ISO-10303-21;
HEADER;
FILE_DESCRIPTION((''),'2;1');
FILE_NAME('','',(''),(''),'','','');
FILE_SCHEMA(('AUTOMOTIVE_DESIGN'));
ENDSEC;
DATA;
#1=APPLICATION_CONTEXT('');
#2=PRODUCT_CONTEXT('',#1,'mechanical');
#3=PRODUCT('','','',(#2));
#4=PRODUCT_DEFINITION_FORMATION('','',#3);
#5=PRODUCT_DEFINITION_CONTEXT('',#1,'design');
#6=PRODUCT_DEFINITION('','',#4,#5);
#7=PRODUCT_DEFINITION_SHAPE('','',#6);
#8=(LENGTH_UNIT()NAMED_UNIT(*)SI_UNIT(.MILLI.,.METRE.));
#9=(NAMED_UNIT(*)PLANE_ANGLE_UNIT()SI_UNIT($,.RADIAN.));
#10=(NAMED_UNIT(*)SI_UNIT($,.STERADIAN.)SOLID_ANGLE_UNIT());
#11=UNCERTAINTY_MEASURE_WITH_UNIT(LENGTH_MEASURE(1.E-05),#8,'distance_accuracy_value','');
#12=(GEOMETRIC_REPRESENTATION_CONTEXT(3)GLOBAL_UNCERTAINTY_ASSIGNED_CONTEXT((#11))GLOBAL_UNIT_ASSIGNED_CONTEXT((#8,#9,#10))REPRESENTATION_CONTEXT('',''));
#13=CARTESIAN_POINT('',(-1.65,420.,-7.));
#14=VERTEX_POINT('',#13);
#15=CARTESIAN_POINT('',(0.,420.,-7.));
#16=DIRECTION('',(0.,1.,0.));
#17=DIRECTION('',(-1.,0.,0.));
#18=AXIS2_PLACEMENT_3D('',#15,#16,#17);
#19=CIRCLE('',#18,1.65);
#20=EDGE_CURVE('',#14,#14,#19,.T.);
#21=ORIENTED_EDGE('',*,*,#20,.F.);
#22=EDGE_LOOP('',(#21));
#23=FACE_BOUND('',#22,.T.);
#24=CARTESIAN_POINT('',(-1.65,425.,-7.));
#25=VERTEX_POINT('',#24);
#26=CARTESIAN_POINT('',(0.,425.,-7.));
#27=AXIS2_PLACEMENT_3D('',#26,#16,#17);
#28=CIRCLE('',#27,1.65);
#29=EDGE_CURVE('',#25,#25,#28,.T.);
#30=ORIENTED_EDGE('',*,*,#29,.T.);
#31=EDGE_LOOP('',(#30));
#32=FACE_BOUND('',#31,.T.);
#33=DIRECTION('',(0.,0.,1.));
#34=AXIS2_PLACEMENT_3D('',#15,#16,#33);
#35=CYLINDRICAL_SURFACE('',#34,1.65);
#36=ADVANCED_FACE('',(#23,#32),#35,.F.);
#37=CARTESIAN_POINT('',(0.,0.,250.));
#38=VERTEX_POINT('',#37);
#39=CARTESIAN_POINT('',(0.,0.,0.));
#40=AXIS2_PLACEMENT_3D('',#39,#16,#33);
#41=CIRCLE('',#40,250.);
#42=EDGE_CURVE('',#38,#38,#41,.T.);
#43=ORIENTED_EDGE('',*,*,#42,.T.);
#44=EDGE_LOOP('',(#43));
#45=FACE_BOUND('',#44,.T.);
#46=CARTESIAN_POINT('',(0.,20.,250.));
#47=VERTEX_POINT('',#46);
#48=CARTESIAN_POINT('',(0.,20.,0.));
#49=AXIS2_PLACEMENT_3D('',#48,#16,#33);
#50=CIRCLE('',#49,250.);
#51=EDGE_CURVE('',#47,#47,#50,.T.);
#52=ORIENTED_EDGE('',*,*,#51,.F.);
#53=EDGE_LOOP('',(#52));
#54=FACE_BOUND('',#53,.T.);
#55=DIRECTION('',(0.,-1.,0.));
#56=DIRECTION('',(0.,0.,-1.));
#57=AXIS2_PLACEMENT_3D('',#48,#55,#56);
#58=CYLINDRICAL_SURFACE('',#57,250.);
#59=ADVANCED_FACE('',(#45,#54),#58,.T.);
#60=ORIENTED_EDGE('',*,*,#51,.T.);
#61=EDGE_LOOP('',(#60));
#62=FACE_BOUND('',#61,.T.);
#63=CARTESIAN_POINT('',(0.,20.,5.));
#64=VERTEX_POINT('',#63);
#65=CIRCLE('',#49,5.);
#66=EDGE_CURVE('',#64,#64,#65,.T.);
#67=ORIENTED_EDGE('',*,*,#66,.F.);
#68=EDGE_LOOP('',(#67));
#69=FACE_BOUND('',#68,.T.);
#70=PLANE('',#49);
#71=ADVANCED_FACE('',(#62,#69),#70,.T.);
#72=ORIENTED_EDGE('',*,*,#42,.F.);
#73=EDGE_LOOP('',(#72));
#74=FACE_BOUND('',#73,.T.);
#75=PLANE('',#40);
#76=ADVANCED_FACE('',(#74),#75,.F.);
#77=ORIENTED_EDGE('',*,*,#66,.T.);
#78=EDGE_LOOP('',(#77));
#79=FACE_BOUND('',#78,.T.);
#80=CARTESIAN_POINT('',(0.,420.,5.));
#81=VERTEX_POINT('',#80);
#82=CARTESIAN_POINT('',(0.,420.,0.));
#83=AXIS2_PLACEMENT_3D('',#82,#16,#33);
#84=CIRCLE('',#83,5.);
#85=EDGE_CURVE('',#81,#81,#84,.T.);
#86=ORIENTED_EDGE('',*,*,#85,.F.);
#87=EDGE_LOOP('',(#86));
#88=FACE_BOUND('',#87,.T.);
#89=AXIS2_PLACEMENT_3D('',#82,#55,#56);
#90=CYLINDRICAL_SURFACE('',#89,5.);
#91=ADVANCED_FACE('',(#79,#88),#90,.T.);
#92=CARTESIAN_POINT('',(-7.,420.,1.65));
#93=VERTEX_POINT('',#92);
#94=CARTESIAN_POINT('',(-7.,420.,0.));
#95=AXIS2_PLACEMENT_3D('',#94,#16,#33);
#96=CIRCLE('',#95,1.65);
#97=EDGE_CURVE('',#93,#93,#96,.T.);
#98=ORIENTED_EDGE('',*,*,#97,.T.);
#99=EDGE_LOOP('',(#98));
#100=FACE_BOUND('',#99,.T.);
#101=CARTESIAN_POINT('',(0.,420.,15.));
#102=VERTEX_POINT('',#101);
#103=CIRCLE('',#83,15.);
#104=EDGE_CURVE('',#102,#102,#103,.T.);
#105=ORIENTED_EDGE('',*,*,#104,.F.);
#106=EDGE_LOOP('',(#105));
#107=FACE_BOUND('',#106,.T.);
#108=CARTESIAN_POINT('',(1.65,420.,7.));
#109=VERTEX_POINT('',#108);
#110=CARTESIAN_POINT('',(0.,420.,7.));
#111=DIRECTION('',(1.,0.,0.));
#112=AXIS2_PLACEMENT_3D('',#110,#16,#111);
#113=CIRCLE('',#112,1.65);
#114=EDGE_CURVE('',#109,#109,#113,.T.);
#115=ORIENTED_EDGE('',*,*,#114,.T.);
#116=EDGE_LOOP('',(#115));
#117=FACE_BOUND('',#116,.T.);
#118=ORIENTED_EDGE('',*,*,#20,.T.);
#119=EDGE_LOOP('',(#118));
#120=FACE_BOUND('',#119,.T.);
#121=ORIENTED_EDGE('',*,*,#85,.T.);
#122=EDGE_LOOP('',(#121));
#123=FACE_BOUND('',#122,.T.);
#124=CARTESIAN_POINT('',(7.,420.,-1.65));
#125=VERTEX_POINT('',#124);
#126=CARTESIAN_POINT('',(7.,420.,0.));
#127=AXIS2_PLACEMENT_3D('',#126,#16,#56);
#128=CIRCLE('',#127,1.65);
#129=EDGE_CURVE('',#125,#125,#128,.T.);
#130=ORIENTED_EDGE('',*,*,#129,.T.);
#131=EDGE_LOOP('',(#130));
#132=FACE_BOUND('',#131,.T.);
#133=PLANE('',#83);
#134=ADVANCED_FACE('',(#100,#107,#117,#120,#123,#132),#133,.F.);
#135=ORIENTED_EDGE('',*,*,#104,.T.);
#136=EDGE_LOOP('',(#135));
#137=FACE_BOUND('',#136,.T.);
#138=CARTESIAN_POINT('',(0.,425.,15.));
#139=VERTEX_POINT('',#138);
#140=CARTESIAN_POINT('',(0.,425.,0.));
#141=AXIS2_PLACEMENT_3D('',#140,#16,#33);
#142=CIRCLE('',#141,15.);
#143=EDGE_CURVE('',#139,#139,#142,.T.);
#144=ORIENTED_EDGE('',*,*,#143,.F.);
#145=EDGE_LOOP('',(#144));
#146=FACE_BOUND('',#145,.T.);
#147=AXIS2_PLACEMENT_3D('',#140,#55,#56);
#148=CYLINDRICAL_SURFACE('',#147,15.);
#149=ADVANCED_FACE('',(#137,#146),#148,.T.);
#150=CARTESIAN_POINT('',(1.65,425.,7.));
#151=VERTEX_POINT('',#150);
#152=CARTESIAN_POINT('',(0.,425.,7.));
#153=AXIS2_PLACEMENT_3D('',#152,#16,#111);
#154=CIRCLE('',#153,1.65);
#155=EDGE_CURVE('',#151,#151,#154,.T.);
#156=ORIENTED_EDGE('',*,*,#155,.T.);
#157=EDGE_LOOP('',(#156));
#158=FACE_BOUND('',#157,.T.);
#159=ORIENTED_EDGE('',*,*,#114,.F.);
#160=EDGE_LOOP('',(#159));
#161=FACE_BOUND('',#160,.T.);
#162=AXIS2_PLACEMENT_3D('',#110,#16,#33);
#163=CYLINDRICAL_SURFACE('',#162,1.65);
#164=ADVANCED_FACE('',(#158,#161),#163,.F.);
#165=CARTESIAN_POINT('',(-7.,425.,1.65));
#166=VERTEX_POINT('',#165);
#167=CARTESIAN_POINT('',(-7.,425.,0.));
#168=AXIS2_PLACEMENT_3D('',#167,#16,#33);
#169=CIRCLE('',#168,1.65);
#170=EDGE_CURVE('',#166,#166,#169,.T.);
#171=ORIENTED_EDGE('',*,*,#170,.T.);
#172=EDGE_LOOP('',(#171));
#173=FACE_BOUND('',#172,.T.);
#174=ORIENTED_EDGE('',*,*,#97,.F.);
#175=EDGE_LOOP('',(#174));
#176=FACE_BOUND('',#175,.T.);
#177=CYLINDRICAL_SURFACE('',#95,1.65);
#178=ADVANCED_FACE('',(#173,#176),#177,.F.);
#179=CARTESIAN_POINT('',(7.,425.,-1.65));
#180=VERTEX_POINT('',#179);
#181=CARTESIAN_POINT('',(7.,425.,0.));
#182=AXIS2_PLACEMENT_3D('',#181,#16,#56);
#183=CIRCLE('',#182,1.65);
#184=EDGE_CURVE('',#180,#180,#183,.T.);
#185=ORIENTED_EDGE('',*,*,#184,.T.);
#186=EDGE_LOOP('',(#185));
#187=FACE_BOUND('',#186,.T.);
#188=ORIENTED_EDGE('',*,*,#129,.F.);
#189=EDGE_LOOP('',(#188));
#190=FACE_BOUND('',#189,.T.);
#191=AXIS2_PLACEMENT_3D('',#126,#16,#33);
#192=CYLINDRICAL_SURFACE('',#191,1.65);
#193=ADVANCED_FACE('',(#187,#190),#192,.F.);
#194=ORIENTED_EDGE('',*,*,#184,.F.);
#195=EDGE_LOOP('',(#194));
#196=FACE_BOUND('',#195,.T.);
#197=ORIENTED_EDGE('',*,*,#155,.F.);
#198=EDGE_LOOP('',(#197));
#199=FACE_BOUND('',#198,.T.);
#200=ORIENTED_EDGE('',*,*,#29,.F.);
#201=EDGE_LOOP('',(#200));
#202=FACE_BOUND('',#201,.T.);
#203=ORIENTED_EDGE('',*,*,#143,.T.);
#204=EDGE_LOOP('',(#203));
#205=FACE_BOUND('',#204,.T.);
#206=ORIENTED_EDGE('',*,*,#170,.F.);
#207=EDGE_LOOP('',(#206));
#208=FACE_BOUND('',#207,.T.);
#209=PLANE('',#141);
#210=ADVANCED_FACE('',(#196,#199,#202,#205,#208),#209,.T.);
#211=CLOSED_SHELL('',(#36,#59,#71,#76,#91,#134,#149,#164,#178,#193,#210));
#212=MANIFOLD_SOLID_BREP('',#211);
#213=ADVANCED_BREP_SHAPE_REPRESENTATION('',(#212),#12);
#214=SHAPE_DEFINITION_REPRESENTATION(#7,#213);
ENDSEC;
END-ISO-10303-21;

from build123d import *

# Parameters (mm, degrees)
SKETCH_1_R               = 250
EXTRUDE_1_DEPTH          = 20
SKETCH_2_R               = 5
EXTRUDE_2_DEPTH          = 400
SKETCH_3_R               = 15
EXTRUDE_3_DEPTH          = 5
SKETCH_4_R               = 1.65
CUT_EXTRUDE_1_DEPTH      = 5
PATTERN_CIRCULAR_1_COUNT = 4


with BuildPart() as part:
    # 草图1 → 凸台-拉伸1 (new body)
    with BuildSketch(Plane(origin=(0, 0, 0), x_dir=(1, 0, 0), z_dir=(0, 1, 0))):
        with Locations(Location((0, 0, 0), (0, 0, 270))):
            Circle(SKETCH_1_R)
    extrude(amount=EXTRUDE_1_DEPTH)

    # 草图2 → 凸台-拉伸2 (add)
    with BuildSketch(Plane(origin=(0, 20, 0), x_dir=(1, 0, 0), z_dir=(0, 1, 0))):
        with Locations(Location((0, 0, 0), (0, 0, 270))):
            Circle(SKETCH_2_R)
    extrude(amount=EXTRUDE_2_DEPTH)

    # 草图3 → 凸台-拉伸3 (add)
    with BuildSketch(Plane(origin=(0, 420, 0), x_dir=(1, 0, 0), z_dir=(0, 1, 0))):
        with Locations(Location((0, 0, 0), (0, 0, 270))):
            Circle(SKETCH_3_R)
    extrude(amount=EXTRUDE_3_DEPTH)

    # 草图4 → 切除-拉伸1 (cut)
    with BuildSketch(Plane(origin=(0, 425, 0), x_dir=(1, 0, 0), z_dir=(0, 1, 0))):
        with Locations(Location((-7, 0, 0), (0, 0, 270))):
            Circle(SKETCH_4_R)
    cut_extrude_1 = extrude(amount=-CUT_EXTRUDE_1_DEPTH, mode=Mode.SUBTRACT)

    # 阵列(圆周)1: 切除-拉伸1 ×4 about axis
    pattern_circular_1_axis = Axis((0, 0, 0), (0, 1, 0))
    for i in range(1, PATTERN_CIRCULAR_1_COUNT):
        add(cut_extrude_1.rotate(pattern_circular_1_axis, i * 360 / PATTERN_CIRCULAR_1_COUNT), mode=Mode.SUBTRACT)


solid = part.part
